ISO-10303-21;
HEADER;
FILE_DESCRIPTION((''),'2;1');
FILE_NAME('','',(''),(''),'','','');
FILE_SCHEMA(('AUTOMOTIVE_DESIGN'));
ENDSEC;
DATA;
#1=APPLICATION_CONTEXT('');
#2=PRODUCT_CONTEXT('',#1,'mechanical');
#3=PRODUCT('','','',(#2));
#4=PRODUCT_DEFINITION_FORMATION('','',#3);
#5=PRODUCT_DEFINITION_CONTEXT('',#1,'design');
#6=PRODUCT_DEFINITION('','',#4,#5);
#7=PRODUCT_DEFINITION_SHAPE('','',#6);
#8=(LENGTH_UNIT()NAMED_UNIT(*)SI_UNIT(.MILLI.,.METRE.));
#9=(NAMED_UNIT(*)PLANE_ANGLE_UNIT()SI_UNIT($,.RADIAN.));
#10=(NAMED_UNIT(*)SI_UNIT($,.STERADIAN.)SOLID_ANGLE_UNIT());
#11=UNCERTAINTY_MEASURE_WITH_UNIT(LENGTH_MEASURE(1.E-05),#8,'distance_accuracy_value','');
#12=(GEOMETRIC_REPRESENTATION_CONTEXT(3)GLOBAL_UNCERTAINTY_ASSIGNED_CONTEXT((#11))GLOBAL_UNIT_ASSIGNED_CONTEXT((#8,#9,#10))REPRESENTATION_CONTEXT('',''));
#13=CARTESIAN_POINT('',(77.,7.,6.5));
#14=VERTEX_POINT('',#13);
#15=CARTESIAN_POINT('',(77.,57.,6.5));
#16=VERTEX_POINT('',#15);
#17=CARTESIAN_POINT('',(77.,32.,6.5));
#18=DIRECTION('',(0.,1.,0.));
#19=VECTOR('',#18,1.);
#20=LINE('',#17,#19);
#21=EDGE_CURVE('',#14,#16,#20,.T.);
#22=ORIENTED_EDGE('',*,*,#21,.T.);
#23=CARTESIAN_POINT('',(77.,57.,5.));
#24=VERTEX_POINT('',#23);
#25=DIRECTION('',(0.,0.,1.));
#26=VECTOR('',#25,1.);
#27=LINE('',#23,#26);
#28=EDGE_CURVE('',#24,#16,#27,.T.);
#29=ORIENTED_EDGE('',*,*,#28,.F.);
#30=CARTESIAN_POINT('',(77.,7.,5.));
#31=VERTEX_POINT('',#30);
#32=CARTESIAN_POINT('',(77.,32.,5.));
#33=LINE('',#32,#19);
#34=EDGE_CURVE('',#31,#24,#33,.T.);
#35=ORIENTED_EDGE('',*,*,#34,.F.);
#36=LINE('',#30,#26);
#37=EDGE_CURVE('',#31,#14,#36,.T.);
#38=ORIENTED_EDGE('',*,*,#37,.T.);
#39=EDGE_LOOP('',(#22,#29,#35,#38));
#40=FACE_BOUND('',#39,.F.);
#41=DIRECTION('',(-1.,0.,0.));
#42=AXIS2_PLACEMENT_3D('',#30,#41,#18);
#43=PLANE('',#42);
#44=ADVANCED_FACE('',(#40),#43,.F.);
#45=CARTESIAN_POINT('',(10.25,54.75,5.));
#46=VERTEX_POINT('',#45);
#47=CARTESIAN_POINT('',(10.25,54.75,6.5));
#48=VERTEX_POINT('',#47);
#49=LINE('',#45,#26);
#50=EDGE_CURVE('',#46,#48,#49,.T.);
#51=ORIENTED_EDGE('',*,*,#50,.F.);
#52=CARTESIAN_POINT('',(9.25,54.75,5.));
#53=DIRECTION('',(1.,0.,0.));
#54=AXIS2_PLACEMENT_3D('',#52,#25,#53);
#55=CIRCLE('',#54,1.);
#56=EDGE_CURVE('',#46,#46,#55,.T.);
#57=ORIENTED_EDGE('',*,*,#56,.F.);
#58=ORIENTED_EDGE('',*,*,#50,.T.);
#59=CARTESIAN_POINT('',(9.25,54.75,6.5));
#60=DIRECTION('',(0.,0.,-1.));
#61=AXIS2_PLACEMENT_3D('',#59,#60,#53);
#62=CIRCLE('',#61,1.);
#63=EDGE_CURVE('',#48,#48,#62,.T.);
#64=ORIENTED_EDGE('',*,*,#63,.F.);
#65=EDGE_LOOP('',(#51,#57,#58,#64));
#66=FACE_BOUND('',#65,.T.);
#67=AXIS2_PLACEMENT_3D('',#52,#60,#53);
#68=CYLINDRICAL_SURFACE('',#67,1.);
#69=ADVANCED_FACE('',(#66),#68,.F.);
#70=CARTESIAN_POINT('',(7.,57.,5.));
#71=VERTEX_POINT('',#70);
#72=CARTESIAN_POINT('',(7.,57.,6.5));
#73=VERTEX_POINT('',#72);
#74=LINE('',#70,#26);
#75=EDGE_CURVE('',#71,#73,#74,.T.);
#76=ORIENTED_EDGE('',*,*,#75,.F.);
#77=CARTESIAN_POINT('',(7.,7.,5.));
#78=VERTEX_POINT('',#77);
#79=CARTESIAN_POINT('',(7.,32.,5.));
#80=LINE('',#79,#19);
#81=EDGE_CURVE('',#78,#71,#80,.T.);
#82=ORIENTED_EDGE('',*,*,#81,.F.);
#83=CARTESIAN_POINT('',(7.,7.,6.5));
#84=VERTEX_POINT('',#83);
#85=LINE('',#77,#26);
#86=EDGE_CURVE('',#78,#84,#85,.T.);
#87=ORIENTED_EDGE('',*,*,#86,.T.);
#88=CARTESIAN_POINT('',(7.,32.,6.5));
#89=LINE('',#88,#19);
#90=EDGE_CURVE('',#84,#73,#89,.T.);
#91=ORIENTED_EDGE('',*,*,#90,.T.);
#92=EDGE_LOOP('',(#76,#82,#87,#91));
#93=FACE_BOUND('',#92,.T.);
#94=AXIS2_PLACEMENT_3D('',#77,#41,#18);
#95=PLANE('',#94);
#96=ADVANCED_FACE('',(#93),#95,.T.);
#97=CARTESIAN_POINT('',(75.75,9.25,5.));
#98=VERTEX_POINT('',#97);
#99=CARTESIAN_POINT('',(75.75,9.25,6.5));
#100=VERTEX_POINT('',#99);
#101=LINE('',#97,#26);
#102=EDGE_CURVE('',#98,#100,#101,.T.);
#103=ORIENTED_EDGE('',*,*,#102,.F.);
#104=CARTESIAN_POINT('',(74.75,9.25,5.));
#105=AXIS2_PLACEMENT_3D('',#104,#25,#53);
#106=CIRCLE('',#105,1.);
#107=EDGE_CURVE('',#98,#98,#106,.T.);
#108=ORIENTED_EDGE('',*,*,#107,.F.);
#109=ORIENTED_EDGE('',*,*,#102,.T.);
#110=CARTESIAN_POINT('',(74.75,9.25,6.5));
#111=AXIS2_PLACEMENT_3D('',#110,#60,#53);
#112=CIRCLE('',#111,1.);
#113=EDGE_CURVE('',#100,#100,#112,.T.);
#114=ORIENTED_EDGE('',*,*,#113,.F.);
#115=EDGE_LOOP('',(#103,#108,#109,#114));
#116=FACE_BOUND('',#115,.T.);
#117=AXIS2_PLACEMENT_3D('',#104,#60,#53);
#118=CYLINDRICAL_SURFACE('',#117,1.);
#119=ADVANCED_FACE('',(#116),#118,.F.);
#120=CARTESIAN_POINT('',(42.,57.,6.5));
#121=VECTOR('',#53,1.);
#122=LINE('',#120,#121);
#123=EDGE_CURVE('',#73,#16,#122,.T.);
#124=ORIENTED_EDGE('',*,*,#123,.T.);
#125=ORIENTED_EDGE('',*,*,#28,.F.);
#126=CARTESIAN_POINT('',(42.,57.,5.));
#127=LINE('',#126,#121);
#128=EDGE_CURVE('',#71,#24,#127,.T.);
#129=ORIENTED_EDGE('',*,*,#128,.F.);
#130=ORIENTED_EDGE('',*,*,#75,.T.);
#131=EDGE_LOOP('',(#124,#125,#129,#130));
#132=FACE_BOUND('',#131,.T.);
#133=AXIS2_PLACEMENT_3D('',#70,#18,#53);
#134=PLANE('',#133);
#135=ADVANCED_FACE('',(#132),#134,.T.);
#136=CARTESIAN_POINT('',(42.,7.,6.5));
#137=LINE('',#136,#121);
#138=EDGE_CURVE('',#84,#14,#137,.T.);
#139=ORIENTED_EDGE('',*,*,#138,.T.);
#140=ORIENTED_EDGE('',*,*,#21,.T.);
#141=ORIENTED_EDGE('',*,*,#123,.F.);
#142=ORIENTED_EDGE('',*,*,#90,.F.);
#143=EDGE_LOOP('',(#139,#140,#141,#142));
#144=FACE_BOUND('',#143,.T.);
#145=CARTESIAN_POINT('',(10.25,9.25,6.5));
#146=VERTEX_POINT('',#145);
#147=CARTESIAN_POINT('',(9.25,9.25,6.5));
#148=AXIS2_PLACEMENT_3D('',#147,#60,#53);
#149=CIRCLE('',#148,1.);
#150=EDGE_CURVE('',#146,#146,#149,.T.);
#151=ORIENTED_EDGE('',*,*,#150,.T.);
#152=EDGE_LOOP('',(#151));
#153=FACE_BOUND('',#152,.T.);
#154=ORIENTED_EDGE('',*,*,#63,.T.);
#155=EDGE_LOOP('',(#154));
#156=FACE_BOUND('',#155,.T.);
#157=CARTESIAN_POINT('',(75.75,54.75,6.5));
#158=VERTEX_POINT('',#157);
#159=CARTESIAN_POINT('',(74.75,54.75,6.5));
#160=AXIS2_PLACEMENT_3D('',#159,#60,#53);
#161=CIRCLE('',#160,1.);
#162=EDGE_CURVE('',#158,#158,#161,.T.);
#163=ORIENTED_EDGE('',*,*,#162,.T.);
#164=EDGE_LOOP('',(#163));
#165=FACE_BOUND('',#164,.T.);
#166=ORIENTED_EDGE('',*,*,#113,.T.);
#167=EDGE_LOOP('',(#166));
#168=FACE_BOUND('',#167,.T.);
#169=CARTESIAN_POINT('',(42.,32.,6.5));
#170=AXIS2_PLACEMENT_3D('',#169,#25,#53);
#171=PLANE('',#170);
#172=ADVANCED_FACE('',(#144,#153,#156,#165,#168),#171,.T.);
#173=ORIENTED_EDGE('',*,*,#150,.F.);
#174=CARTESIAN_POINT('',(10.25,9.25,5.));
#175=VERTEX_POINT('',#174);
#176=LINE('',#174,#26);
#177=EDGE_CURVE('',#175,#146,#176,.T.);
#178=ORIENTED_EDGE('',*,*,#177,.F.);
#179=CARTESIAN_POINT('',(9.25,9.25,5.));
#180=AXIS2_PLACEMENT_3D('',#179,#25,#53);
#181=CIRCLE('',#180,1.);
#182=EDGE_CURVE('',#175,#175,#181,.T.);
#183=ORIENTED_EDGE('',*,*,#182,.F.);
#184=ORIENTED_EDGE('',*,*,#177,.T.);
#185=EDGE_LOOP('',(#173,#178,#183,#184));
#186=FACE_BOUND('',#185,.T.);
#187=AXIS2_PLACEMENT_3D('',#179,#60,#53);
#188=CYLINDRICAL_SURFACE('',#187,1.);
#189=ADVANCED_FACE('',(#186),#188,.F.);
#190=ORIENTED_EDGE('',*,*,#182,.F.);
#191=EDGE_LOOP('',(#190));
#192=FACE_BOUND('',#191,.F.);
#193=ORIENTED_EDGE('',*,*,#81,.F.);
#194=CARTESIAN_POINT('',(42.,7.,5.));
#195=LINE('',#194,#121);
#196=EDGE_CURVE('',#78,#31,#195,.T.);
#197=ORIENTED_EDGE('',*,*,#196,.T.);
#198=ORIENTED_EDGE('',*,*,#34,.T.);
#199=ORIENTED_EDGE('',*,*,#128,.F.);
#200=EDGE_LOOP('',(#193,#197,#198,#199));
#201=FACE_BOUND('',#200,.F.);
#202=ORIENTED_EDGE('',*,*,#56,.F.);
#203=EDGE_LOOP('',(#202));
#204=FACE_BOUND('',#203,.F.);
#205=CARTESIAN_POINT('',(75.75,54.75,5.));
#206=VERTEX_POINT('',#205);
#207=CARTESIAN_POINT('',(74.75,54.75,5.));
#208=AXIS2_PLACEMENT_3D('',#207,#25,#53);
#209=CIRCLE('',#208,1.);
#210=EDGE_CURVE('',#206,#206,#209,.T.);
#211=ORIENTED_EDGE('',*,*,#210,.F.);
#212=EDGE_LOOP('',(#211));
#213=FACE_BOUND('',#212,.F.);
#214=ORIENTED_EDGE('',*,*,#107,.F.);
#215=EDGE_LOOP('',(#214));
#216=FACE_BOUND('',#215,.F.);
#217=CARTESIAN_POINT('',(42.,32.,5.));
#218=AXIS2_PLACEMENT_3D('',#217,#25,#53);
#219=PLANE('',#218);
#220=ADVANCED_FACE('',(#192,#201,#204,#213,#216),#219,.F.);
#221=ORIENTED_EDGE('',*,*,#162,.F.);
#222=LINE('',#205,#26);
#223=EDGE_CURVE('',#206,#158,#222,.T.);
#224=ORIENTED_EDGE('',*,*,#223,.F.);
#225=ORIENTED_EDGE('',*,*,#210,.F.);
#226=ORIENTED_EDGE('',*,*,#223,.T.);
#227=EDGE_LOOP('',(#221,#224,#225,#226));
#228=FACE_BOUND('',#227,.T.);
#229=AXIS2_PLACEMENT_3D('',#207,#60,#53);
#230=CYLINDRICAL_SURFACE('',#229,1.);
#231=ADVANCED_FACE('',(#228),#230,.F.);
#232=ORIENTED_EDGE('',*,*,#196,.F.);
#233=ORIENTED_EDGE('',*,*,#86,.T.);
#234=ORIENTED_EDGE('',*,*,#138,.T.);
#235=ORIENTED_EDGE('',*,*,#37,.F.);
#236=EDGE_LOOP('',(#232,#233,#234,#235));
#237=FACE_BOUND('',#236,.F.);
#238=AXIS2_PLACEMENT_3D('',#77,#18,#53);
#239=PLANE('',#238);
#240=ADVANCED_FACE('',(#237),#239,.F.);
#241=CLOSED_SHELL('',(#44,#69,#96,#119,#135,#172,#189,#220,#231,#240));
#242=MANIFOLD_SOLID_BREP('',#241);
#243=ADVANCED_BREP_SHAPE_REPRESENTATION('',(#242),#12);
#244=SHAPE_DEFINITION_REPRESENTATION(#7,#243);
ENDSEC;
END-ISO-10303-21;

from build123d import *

# Parameters (mm, degrees)
CYLINDER004_R     = 1
CYLINDER004_DEPTH = 10
ARRAY002_X_COUNT  = 2
ARRAY002_X_PITCH  = 65.5
ARRAY002_Y_COUNT  = 2
ARRAY002_Y_PITCH  = 45.5
BOX005_W          = 70
BOX005_H          = 50
BOX005_DEPTH      = 1.5


with BuildPart() as pcb_hole_array:
    # Cylinder004 → Cylinder004 (new body)
    with BuildSketch(Plane.XY):
        Circle(CYLINDER004_R)
    extrude(amount=CYLINDER004_DEPTH)

    # Array002 X: pcb hole array ×2


with BuildPart() as pcb_hole_array_1:
    add(pcb_hole_array.part)
    with Locations(*[(i * ARRAY002_X_PITCH, 0, 0) for i in range(1, ARRAY002_X_COUNT)]):
        add(pcb_hole_array.part)

    # Array002 Y: pcb hole array ×2


with BuildPart() as pcb_hole_array_2:
    add(pcb_hole_array_1.part)
    with Locations(*[(0, i * ARRAY002_Y_PITCH, 0) for i in range(1, ARRAY002_Y_COUNT)]):
        add(pcb_hole_array_1.part)


with BuildPart() as pcb_hole_array_3:
    # Array002 placement: moved
    add(pcb_hole_array_2.part.moved(Location((2.25, 2.25, 0))))


with BuildPart() as pcb_7x5_mockup_cut:
    # Box005 → Box005 (new body)
    with BuildSketch(Plane.XY):
        with Locations((35, 25)):
            Rectangle(BOX005_W, BOX005_H)
    extrude(amount=BOX005_DEPTH)

    # Cut002: cut pcb hole array
    add(pcb_hole_array_3.part, mode=Mode.SUBTRACT)


with BuildPart() as pcb_7x5_mockup_cut_1:
    # Cut002 placement: moved
    add(pcb_7x5_mockup_cut.part.moved(Location((7, 7, 5))))


solid = pcb_7x5_mockup_cut_1.part
